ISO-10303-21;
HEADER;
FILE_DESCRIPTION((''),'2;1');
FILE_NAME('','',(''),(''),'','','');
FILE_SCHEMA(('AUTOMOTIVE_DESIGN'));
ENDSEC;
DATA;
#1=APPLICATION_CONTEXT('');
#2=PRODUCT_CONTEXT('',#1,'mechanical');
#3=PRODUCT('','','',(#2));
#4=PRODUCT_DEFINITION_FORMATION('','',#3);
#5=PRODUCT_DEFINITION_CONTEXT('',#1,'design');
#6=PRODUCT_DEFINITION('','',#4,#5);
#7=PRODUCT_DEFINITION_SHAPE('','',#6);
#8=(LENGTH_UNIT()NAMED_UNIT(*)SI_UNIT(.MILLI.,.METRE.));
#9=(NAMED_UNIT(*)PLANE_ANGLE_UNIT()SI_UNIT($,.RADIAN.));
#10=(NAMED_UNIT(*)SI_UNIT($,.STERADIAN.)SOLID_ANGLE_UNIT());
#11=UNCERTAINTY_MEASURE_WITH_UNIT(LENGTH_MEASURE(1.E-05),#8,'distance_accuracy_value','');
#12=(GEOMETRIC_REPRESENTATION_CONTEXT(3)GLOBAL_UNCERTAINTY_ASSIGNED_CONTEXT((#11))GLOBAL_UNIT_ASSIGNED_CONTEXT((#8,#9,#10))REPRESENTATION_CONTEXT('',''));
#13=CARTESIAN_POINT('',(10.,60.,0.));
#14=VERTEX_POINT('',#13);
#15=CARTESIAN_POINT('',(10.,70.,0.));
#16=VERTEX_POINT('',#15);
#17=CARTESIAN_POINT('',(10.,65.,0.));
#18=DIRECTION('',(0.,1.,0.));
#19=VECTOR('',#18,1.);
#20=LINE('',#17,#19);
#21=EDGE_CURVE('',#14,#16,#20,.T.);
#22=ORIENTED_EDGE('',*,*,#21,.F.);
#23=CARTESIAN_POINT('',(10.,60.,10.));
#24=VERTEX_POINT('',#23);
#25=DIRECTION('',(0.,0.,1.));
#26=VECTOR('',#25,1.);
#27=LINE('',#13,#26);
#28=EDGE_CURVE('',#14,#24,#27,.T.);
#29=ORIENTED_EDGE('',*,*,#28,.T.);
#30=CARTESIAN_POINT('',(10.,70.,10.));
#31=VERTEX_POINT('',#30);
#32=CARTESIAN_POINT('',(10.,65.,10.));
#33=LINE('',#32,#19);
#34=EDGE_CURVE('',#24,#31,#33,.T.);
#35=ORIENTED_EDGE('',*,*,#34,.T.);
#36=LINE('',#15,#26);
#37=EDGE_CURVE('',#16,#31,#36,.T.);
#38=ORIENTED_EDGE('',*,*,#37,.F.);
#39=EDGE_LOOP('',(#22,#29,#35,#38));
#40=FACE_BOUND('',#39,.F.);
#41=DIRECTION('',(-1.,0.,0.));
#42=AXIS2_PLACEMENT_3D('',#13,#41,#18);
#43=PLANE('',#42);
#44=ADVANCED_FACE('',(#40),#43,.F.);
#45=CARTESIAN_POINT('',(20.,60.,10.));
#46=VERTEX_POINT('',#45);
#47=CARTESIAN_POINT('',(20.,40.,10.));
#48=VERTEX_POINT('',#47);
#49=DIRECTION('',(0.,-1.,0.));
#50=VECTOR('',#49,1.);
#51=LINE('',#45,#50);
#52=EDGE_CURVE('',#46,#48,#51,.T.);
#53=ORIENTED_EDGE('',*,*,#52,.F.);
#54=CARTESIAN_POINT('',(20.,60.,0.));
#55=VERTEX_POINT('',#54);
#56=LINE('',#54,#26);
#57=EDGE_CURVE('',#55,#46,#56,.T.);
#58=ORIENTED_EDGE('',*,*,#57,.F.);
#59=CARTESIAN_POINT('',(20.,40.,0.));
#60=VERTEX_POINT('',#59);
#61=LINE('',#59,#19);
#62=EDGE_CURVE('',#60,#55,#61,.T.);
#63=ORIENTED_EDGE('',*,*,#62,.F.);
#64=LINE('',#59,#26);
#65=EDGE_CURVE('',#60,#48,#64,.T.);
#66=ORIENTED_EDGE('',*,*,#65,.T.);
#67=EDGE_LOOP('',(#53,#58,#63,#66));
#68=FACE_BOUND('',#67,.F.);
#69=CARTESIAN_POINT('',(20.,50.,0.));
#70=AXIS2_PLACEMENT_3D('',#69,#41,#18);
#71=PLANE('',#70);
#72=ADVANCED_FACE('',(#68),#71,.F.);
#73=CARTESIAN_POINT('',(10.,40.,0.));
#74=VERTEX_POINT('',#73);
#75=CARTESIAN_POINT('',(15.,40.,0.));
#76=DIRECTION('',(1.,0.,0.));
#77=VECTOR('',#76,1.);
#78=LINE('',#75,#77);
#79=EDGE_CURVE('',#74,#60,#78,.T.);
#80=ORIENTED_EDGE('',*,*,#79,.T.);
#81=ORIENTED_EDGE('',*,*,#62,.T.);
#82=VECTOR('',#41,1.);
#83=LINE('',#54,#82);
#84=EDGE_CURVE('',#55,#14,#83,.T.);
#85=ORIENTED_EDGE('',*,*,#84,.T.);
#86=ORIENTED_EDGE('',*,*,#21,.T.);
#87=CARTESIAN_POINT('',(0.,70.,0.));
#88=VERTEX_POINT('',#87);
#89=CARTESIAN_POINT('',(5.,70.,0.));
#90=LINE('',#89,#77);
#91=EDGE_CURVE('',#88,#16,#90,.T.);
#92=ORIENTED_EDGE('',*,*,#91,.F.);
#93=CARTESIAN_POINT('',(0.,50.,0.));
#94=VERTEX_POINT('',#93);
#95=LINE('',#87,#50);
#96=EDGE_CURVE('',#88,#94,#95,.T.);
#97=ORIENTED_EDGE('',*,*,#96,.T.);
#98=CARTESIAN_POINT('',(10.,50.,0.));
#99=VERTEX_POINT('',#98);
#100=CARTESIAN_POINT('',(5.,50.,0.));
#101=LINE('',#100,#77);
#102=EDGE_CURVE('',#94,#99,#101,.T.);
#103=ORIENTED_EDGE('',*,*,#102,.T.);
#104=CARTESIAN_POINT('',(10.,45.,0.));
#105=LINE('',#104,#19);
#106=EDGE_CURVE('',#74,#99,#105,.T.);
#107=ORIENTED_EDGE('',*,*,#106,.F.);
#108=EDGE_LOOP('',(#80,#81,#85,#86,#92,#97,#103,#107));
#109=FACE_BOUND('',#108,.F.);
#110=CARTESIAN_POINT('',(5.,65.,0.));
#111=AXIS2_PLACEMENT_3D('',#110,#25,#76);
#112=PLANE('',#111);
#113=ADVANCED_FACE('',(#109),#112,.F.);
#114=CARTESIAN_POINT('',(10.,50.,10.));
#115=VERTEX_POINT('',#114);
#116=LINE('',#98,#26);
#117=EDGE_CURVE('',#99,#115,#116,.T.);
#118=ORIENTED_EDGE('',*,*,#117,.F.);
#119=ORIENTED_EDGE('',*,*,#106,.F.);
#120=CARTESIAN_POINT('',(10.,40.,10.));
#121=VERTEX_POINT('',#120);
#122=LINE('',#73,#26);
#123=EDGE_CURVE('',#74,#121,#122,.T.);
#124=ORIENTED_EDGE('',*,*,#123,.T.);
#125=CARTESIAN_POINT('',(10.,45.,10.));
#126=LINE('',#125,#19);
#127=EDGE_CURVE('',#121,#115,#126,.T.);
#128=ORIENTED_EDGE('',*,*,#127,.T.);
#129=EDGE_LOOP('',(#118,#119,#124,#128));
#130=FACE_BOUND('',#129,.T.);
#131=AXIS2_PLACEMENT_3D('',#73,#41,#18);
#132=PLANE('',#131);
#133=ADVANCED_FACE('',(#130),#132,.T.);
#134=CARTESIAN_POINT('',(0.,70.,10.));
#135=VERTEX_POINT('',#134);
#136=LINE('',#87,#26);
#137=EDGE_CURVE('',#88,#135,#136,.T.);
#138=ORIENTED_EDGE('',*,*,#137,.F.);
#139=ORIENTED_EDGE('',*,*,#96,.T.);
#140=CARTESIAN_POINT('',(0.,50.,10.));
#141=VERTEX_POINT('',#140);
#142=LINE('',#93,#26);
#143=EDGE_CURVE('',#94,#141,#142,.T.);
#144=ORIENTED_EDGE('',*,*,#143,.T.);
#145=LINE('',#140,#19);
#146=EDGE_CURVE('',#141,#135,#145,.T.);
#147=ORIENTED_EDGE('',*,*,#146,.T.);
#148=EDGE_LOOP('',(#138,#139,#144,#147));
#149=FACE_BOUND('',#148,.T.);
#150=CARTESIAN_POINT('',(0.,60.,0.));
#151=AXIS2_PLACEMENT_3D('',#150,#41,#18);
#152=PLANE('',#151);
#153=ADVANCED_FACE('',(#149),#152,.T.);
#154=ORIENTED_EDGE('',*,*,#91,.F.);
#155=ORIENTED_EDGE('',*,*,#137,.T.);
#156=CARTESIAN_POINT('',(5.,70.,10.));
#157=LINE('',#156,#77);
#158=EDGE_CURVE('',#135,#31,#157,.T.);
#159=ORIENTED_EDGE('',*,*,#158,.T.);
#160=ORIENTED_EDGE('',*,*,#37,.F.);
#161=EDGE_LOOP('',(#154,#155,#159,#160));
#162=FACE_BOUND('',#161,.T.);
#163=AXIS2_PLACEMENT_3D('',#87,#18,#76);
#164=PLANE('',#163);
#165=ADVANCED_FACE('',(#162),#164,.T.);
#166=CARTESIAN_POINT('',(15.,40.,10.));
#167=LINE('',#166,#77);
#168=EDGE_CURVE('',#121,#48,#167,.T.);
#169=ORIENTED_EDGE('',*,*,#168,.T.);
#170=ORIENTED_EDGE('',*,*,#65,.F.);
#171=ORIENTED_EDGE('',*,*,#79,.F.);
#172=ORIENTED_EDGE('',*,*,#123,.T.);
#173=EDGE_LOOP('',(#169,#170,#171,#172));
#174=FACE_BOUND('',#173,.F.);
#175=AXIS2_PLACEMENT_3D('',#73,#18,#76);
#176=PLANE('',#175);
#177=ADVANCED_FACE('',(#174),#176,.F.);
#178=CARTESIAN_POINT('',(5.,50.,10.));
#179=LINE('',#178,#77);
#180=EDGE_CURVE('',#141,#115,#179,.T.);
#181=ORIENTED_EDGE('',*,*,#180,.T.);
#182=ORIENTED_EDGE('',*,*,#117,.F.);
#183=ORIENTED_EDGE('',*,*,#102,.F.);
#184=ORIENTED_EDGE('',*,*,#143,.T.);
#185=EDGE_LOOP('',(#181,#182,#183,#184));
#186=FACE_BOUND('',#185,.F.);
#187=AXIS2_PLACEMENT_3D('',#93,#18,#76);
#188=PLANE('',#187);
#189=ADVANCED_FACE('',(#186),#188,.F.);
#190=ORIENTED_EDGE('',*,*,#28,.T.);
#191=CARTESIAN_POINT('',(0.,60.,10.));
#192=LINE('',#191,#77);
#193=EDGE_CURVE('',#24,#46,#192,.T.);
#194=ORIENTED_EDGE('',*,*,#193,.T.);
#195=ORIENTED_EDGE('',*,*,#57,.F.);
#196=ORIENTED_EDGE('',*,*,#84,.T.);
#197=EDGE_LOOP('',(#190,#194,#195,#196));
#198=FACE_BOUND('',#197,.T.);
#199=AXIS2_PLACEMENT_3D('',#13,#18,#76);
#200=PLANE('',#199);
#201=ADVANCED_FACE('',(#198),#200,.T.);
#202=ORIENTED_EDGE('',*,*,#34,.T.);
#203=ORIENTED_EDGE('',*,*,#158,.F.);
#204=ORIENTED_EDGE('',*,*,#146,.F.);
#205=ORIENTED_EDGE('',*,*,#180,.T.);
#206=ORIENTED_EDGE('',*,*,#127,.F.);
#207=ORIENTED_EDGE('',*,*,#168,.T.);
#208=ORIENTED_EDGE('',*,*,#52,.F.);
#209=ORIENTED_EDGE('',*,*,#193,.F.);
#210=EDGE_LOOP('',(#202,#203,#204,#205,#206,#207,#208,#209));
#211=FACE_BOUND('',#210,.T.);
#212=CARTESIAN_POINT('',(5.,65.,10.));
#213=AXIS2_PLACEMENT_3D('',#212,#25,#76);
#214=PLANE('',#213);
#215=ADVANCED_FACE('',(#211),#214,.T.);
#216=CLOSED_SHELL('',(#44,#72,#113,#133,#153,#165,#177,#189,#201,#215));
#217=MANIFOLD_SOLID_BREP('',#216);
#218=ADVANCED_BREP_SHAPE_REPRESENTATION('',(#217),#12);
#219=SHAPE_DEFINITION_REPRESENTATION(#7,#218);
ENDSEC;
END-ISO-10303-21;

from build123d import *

# Parameters (mm, degrees)
BOX024_W     = 10
BOX024_H     = 10
BOX024_DEPTH = 10
BOX023_W     = 10
BOX023_H     = 10
BOX023_DEPTH = 10
BOX025_W     = 10
BOX025_H     = 10
BOX025_DEPTH = 10
BOX022_W     = 10
BOX022_H     = 10
BOX022_DEPTH = 10


with BuildPart() as cubo024:
    # Box024 → Box024 (new body)
    with BuildSketch(Plane(origin=(0, 10, 0), x_dir=(1, 0, 0), z_dir=(0, 0, 1))):
        with Locations((5, 5)):
            Rectangle(BOX024_W, BOX024_H)
    extrude(amount=BOX024_DEPTH)


with BuildPart() as cubo023:
    # Box023 → Box023 (new body)
    with BuildSketch(Plane(origin=(10, 10, 0), x_dir=(1, 0, 0), z_dir=(0, 0, 1))):
        with Locations((5, 5)):
            Rectangle(BOX023_W, BOX023_H)
    extrude(amount=BOX023_DEPTH)


with BuildPart() as cubo025:
    # Box025 → Box025 (new body)
    with BuildSketch(Plane(origin=(0, 20, 0), x_dir=(1, 0, 0), z_dir=(0, 0, 1))):
        with Locations((5, 5)):
            Rectangle(BOX025_W, BOX025_H)
    extrude(amount=BOX025_DEPTH)


with BuildPart() as fusion002005:
    # Box022 → Box022 (new body)
    with BuildSketch(Plane(origin=(10, 0, 0), x_dir=(1, 0, 0), z_dir=(0, 0, 1))):
        with Locations((5, 5)):
            Rectangle(BOX022_W, BOX022_H)
    extrude(amount=BOX022_DEPTH)

    # Fusion002005: union Cubo024, Cubo023, Cubo025
    add(cubo024.part)
    add(cubo023.part)
    add(cubo025.part)


with BuildPart() as fusion002005_1:
    # Fusion002005 placement: moved
    add(fusion002005.part.moved(Location((0, 40, 0))))


solid = fusion002005_1.part
